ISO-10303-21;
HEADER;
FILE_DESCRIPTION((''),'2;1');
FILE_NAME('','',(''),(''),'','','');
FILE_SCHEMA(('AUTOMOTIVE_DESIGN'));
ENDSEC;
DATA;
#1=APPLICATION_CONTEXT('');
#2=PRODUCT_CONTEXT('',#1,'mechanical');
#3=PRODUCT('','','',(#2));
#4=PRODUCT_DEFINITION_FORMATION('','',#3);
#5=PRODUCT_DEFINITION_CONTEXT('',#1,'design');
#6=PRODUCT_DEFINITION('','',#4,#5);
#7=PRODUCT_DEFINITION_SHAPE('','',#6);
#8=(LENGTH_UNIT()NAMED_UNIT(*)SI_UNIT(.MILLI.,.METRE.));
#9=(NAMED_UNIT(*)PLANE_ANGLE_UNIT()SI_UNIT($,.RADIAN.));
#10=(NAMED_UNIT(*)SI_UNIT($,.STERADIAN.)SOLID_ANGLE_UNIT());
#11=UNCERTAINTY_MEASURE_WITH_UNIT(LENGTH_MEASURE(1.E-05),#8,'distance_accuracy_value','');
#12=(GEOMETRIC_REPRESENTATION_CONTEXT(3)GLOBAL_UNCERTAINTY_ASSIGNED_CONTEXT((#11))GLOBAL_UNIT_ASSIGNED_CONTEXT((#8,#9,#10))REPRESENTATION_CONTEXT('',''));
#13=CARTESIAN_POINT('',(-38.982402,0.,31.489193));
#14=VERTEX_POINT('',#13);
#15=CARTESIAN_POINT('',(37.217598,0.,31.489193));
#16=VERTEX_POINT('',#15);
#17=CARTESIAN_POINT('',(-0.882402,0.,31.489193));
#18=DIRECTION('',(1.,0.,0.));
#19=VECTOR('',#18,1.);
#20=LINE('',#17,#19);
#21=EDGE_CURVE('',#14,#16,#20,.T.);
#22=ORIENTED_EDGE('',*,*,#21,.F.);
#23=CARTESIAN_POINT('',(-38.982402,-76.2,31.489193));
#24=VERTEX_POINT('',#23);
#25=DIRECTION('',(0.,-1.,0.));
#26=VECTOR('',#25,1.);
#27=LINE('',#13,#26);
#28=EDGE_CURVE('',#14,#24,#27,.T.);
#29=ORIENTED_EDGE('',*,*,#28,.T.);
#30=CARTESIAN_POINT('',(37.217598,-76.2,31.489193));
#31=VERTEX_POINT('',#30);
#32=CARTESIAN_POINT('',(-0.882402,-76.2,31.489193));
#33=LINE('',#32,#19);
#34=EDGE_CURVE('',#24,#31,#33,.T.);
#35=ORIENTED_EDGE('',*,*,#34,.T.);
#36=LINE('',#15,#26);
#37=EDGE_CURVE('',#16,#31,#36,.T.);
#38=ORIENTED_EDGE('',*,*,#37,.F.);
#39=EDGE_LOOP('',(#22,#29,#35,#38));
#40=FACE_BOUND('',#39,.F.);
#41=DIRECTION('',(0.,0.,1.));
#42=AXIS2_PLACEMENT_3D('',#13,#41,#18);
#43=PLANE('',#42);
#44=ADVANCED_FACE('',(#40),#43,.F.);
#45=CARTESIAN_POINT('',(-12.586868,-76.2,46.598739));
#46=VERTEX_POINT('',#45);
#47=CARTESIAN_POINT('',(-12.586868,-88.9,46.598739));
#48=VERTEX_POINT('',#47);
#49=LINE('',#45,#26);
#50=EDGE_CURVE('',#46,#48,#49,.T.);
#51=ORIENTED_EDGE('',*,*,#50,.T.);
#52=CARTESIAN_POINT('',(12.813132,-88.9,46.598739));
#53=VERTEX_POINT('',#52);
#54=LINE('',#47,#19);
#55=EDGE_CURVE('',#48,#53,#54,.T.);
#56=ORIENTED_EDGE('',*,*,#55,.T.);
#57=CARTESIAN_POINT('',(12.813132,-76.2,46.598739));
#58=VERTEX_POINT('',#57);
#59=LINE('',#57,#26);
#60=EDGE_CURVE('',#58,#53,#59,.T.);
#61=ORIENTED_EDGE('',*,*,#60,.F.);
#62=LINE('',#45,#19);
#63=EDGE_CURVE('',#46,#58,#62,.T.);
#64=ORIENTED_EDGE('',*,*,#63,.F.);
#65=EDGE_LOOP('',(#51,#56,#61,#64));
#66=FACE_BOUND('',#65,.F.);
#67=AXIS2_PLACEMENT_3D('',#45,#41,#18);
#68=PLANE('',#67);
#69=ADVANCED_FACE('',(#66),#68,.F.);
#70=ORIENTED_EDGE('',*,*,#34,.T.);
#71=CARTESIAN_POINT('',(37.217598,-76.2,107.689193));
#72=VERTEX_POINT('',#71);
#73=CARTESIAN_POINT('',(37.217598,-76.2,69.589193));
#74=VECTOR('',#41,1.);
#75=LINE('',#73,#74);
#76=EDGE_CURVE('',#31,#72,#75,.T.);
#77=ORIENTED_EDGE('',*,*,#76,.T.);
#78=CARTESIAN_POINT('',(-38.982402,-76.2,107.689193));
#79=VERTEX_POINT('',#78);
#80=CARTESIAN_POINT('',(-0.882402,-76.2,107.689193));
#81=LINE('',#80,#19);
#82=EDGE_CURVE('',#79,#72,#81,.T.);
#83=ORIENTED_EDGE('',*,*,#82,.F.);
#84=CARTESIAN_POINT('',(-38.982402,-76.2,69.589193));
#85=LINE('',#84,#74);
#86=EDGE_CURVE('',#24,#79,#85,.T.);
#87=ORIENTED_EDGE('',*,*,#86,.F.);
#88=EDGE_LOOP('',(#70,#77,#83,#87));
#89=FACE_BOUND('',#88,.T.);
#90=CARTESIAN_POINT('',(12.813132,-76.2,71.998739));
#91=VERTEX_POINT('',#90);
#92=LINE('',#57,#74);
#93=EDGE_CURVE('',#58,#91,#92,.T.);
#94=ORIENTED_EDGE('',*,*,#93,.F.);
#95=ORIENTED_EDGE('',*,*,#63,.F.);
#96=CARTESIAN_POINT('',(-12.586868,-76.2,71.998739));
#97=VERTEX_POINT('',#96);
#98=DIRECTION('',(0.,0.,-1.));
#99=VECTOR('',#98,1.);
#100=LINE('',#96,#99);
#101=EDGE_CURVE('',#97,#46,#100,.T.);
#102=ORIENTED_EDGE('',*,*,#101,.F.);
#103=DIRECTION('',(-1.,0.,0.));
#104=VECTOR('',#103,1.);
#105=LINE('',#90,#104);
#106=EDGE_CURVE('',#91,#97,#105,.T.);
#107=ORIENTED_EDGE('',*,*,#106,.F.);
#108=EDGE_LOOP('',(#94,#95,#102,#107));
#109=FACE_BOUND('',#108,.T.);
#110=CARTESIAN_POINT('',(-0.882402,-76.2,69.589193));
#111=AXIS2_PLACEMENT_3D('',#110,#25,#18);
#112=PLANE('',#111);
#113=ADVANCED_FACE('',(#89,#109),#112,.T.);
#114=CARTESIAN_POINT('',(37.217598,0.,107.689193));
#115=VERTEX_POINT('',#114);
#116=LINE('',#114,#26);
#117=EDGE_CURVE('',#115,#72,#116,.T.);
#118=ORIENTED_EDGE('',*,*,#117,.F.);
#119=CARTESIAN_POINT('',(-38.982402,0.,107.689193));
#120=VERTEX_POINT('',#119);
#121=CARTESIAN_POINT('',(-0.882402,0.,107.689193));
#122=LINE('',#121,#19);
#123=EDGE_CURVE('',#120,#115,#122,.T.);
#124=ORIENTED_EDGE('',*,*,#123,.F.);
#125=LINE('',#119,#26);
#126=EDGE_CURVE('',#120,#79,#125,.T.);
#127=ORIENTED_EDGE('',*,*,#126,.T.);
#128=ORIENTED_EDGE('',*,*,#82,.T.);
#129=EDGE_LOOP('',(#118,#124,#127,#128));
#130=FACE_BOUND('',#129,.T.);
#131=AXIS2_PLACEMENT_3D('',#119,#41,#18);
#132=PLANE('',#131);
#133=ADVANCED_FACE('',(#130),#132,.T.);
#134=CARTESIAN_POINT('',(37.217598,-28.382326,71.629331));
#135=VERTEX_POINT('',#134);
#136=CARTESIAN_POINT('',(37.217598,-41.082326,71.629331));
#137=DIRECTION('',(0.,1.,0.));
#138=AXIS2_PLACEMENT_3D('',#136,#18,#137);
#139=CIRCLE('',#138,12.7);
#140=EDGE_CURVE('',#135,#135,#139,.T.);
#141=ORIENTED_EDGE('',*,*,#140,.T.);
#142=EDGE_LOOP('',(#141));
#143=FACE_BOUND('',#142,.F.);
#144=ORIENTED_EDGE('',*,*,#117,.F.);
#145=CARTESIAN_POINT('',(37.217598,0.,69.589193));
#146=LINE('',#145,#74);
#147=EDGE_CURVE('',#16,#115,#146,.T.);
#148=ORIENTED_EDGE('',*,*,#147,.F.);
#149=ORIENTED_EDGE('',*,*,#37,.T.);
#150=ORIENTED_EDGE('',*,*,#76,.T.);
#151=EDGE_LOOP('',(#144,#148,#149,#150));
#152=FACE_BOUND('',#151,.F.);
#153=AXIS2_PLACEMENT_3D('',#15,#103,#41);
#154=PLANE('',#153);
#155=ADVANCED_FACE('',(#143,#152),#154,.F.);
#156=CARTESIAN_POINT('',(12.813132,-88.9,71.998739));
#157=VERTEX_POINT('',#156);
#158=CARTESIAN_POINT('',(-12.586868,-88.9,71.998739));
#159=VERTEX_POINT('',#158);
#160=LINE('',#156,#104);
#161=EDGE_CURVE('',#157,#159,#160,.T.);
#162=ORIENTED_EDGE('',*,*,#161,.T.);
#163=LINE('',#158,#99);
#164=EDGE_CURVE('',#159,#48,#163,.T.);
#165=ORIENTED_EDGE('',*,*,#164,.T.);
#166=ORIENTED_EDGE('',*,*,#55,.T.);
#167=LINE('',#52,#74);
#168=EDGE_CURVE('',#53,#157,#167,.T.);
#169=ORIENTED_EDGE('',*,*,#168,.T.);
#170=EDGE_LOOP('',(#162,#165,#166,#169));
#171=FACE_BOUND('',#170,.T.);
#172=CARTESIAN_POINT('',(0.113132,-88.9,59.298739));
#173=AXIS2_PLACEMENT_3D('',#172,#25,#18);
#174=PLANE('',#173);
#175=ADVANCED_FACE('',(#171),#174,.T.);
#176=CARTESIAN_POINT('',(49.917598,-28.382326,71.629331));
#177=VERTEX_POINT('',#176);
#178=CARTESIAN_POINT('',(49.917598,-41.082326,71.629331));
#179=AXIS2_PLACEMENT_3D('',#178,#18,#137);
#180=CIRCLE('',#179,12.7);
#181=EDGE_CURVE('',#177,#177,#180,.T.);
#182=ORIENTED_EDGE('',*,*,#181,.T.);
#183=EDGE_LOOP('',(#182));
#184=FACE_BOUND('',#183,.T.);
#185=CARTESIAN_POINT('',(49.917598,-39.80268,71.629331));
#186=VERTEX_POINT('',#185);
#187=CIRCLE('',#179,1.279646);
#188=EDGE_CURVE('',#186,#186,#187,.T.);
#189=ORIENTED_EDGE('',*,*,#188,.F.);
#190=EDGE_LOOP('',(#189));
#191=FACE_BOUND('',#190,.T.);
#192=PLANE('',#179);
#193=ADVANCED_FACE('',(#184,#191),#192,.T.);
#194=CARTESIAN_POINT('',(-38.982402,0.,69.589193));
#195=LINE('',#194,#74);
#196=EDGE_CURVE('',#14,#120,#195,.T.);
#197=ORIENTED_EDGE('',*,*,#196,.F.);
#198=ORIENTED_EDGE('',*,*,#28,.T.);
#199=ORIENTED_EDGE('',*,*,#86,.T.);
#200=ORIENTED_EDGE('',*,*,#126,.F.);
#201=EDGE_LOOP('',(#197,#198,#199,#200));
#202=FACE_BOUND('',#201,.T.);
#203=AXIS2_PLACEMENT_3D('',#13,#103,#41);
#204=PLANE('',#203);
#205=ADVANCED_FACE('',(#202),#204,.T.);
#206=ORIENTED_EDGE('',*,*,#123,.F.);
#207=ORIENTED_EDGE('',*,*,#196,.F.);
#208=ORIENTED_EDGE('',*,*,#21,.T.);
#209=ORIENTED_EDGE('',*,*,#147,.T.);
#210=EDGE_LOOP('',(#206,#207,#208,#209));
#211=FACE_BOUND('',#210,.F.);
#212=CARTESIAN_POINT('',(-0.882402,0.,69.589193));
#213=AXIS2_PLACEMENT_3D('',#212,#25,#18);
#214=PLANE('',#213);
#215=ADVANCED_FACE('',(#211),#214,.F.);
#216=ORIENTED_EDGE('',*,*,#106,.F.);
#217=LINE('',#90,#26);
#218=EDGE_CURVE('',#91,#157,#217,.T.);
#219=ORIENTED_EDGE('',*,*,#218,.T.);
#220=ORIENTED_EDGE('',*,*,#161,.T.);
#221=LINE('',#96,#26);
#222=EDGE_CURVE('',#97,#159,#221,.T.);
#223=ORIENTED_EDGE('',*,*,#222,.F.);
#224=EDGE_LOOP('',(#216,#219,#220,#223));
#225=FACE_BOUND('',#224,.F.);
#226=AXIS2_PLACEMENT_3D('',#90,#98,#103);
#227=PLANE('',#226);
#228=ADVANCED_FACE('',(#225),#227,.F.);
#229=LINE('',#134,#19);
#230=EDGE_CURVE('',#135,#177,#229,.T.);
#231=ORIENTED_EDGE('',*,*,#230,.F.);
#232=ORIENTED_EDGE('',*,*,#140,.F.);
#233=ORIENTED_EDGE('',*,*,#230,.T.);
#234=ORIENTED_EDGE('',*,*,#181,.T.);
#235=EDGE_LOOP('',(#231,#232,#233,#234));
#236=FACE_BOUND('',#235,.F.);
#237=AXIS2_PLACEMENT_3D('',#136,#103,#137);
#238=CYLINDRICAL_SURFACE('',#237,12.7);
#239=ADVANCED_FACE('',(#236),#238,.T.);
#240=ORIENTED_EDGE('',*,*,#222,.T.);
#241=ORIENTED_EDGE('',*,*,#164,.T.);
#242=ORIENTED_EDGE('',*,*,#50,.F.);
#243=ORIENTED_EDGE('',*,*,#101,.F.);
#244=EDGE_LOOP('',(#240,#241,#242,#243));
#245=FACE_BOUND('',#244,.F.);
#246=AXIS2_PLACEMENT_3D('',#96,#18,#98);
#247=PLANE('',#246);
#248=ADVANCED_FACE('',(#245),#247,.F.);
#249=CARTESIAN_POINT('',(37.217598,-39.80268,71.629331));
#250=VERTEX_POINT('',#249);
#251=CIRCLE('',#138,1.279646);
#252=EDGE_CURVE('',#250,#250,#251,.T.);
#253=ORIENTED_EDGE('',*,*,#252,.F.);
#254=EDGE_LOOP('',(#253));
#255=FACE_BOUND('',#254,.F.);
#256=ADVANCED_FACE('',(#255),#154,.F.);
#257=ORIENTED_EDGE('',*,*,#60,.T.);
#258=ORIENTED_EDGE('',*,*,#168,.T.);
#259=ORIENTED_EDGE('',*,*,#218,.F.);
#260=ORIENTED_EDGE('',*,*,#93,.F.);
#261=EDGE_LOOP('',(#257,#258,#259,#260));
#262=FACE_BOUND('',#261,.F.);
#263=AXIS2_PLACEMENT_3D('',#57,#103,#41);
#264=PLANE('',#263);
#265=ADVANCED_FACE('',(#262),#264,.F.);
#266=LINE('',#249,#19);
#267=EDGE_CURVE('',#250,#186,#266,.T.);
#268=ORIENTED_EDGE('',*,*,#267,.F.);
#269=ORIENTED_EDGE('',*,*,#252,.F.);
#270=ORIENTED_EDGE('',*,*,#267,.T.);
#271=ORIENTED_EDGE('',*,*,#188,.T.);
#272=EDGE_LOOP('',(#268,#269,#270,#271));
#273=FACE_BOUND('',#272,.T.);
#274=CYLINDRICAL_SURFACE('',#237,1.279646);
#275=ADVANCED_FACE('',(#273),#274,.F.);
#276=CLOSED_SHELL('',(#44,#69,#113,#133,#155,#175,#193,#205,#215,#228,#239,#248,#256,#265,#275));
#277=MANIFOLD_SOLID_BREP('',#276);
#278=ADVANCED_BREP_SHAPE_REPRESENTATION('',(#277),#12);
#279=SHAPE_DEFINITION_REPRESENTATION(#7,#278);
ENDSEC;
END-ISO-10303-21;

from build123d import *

# Parameters (mm, degrees)
F0_W     = 76.2
F0_H     = 76.2
F1_DEPTH = 76.2
F3_DEPTH = 12.7
F4_R     = 12.7
F4_R_2   = 1.279646
F5_DEPTH = 12.7


with BuildPart() as f1:
    # F0 (on Front) → F1 (new body)
    with BuildSketch(Plane.XZ):
        with Locations((-0.882402, 69.589193)):
            Rectangle(F0_W, F0_H)
    extrude(amount=F1_DEPTH)

    # F2 (on face) → F3 (join)
    with BuildSketch(Plane.XZ.offset(76.2)):
        Polygon((0.113132, 71.998739), (-12.586868, 71.998739), (-12.586868, 46.598739), (12.813132, 46.598739), (12.813132, 71.998739), align=None)
    extrude(amount=F3_DEPTH)

    # F4 (on face) → F5 (join)
    with BuildSketch(Plane.YZ.offset(37.217598)):
        with Locations((-41.082326, 71.629331)):
            Circle(F4_R)
        with Locations((-41.082326, 71.629331)):
            Circle(F4_R_2, mode=Mode.SUBTRACT)
    extrude(amount=F5_DEPTH)


solid = f1.part
